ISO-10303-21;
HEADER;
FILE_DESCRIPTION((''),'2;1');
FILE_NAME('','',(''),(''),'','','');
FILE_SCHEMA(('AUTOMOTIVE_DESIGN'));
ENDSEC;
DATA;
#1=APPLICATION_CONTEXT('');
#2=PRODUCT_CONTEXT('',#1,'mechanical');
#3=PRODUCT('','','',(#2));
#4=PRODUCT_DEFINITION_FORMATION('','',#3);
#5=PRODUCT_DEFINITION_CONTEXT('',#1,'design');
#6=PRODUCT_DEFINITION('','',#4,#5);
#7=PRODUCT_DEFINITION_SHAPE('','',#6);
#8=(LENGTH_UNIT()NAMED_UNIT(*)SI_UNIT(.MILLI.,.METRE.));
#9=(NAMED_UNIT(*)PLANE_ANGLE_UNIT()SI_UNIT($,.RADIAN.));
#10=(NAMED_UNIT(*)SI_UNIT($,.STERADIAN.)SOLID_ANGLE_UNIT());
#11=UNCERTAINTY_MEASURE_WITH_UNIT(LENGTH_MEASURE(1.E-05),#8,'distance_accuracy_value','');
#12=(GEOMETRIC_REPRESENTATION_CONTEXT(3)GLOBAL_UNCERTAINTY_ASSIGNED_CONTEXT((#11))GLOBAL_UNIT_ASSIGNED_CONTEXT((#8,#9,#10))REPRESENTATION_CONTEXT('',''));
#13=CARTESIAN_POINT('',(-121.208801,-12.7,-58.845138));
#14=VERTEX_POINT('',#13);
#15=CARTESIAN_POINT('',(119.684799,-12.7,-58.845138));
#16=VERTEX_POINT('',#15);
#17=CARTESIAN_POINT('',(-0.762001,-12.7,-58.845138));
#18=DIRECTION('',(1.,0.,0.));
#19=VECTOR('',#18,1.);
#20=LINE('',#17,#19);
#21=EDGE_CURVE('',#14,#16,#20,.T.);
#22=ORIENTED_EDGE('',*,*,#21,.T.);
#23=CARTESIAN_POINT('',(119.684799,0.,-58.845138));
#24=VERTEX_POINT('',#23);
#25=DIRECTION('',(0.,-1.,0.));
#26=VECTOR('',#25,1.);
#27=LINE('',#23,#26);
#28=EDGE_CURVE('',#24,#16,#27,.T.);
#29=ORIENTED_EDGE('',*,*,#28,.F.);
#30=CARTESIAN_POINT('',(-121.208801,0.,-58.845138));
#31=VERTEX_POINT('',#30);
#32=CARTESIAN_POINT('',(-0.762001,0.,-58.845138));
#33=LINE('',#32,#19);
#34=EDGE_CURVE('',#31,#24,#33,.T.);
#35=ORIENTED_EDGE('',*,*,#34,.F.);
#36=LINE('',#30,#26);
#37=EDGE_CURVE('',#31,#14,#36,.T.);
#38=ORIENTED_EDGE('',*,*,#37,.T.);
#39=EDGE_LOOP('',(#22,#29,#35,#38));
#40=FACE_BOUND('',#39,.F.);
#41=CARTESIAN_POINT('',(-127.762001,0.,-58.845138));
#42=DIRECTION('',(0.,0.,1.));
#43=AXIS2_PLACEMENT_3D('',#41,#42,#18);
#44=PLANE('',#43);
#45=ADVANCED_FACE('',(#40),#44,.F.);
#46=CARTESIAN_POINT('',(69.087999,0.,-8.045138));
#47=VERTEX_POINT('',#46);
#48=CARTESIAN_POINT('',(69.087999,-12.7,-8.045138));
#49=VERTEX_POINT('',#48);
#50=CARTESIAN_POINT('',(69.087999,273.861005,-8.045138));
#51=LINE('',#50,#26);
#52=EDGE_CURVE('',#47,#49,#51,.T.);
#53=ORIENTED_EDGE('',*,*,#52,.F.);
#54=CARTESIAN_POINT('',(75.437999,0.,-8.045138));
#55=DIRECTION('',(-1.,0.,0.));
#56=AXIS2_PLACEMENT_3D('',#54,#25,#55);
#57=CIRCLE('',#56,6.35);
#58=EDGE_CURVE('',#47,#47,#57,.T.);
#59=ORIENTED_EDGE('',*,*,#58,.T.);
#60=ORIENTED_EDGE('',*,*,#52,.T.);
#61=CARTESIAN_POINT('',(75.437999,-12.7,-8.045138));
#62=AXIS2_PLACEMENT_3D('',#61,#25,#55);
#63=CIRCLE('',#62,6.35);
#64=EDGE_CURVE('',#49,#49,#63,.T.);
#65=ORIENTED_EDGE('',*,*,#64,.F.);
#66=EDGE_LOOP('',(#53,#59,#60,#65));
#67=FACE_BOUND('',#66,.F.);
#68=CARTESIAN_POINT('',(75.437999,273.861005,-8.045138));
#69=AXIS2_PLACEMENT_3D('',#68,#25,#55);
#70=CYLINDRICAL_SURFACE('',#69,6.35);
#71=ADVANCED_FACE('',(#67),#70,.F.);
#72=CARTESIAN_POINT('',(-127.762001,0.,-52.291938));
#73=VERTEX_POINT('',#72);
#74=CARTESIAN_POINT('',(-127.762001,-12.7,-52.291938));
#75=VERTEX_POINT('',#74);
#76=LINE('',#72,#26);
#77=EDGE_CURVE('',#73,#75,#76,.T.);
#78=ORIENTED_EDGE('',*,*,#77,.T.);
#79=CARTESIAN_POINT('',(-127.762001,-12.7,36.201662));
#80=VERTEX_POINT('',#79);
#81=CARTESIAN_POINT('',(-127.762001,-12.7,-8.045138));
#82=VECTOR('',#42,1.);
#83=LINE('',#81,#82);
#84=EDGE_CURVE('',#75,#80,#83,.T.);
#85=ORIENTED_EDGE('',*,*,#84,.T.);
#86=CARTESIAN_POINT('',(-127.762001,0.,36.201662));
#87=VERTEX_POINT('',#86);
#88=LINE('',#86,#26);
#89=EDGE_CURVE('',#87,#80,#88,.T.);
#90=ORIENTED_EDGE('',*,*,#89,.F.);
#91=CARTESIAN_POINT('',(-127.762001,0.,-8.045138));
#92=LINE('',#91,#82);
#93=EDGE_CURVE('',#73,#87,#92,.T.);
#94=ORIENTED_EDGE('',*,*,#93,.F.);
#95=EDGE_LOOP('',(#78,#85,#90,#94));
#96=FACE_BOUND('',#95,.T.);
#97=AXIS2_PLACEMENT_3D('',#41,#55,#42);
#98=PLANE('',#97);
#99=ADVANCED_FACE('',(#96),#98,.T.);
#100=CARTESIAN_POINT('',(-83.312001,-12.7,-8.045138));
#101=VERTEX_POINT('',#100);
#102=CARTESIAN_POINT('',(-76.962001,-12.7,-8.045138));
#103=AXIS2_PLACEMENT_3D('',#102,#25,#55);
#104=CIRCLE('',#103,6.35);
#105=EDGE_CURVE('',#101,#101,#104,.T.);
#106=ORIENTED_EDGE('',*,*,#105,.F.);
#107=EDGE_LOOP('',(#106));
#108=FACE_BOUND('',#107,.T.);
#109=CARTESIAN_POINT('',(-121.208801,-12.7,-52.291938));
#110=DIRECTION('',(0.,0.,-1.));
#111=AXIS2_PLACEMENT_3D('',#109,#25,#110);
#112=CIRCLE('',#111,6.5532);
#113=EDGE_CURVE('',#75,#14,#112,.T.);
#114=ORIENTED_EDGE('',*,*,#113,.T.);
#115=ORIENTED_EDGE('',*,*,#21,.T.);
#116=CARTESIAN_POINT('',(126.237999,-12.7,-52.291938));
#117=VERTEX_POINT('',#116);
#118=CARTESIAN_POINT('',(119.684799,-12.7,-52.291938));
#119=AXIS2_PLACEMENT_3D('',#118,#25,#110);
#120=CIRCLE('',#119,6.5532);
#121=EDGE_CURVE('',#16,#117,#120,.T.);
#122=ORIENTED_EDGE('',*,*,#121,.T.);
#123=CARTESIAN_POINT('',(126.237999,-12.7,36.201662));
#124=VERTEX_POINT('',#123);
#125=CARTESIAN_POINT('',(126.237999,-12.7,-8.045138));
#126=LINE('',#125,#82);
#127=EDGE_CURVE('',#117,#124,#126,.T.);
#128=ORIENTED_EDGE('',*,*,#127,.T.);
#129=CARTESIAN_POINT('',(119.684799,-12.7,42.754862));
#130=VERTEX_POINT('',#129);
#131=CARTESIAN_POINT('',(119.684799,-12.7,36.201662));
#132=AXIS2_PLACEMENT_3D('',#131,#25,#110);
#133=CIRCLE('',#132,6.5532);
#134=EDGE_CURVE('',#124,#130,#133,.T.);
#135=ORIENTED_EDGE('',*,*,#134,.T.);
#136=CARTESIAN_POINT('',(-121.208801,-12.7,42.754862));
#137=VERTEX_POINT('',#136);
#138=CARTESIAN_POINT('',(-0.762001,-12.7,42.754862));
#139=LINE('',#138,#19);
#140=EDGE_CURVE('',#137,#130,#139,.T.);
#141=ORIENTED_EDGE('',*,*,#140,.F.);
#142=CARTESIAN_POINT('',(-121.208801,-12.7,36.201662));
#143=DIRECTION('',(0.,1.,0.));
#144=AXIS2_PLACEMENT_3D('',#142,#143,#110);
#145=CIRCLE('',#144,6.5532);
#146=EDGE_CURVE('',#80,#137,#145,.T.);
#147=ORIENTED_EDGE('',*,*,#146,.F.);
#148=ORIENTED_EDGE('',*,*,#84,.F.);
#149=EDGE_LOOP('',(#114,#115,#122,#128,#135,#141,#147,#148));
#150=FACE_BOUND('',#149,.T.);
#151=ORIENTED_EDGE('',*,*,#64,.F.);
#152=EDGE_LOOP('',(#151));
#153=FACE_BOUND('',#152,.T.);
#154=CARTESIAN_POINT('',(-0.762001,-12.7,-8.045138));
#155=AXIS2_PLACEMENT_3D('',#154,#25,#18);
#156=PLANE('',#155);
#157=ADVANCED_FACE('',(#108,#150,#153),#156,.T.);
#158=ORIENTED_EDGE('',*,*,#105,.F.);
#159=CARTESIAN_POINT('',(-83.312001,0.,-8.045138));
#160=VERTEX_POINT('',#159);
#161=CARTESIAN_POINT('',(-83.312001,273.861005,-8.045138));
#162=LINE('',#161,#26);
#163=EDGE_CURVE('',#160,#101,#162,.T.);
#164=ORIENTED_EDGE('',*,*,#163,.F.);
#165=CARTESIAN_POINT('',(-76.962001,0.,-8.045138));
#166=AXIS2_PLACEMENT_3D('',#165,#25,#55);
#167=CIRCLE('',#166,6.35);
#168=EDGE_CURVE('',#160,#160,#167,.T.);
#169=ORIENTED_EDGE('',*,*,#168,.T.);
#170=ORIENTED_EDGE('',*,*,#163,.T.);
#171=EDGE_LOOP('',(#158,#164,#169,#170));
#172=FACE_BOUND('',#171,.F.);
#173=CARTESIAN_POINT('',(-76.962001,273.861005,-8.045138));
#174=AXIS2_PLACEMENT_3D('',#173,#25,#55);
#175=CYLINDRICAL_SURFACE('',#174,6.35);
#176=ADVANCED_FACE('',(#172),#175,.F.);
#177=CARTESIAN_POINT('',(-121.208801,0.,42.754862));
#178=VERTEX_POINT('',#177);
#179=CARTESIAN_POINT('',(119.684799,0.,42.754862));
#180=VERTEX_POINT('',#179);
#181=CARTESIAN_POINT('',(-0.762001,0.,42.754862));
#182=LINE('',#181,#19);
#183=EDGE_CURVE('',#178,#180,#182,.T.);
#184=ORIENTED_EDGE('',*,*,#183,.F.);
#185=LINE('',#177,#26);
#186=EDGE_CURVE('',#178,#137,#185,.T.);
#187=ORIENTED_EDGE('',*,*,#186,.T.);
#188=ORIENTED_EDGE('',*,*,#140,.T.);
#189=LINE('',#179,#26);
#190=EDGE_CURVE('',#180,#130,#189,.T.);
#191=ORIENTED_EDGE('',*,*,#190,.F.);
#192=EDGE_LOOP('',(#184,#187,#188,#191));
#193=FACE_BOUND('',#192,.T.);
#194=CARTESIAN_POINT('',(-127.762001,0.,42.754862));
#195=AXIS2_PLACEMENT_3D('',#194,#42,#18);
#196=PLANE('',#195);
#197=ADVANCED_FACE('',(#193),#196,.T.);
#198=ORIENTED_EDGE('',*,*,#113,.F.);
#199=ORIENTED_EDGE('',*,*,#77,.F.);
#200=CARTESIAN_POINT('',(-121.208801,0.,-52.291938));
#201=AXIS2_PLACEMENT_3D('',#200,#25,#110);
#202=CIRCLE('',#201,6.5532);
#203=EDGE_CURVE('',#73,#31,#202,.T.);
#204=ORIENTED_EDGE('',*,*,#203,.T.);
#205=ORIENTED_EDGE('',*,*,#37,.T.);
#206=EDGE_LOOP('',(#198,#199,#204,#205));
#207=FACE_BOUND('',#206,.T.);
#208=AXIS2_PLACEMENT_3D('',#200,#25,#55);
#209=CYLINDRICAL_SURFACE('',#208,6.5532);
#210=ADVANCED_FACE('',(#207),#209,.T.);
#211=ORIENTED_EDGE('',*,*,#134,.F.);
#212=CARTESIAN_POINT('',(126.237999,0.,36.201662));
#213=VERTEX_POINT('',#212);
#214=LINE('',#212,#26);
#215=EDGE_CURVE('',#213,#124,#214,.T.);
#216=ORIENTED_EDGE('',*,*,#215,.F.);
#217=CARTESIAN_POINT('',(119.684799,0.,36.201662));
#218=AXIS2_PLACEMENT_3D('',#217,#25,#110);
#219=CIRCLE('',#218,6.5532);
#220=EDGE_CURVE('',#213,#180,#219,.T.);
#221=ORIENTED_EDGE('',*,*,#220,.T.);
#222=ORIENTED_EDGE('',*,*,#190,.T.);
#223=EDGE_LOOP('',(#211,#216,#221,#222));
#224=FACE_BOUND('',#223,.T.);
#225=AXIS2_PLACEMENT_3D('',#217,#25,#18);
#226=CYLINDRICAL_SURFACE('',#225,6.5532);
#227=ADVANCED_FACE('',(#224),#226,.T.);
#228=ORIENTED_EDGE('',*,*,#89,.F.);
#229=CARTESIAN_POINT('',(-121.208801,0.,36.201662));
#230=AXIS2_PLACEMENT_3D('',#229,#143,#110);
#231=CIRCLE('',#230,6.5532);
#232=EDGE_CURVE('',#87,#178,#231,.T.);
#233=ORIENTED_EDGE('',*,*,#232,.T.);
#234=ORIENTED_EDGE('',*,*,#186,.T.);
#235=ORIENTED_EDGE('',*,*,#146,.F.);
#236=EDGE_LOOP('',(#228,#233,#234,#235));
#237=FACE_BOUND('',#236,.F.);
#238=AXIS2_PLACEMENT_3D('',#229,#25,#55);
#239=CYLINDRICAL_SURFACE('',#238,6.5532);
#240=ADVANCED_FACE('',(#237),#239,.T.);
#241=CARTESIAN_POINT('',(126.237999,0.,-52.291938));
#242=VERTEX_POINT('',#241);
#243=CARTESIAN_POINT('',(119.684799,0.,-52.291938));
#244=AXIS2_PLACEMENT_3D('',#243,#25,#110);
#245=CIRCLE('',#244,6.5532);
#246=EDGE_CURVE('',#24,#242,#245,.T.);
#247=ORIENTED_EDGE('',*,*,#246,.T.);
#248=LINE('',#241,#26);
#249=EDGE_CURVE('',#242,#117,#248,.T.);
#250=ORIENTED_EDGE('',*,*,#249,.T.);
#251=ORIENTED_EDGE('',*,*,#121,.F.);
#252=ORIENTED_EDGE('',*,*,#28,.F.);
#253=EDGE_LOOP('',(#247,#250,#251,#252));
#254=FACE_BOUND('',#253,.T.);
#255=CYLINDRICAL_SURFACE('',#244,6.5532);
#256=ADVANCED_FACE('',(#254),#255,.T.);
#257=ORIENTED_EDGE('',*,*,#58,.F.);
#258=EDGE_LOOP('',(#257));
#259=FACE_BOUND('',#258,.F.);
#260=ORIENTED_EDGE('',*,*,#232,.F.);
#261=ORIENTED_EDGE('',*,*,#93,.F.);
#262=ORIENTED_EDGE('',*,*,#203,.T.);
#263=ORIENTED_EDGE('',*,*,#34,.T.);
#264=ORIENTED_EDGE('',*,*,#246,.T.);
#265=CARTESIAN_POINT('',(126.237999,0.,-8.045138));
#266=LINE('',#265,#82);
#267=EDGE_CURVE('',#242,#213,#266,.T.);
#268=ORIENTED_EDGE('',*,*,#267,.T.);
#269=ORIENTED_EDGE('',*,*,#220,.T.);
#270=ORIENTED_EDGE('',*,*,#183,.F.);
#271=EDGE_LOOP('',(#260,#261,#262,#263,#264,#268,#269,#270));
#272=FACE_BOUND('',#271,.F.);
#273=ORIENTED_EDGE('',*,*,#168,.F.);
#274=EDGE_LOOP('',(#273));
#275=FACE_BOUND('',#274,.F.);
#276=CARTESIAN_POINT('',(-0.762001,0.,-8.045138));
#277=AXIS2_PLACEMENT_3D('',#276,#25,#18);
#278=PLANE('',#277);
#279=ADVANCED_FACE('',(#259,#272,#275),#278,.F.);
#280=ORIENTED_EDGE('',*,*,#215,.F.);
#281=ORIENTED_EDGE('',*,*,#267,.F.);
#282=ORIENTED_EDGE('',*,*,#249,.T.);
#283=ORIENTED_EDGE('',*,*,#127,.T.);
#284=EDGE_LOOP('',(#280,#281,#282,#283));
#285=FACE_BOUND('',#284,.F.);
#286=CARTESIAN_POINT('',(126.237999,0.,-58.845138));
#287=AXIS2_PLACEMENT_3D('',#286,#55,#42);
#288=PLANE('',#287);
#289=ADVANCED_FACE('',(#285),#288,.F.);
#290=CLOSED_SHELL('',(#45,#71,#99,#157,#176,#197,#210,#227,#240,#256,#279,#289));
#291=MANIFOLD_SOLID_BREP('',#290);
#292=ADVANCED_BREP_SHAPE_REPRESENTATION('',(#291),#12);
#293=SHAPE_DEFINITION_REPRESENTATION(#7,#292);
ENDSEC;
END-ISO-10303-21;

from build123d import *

# Parameters (mm, degrees)
F0_W     = 254
F0_H     = 101.6
F1_DEPTH = 12.7
F2_R     = 6.5532
F3_D     = 12.7


with BuildPart() as f1:
    # F0 (on Front) → F1 (new body)
    with BuildSketch(Plane.XZ):
        with Locations((-0.76200068, -8.045138209)):
            Rectangle(F0_W, F0_H)
    extrude(amount=F1_DEPTH)

    # F2
    f2_edges = [f1.edges().sort_by_distance(p)[0] for p in [
        (-127.762001, -6.35, 42.754862),
        (-127.762001, -6.35, -58.845138),
        (126.237999, -6.35, -58.845138),
        (126.237999, -6.35, 42.754862),
    ]]
    fillet(f2_edges, radius=F2_R)

    # F3 (through all)
    with Locations(Plane(origin=(0, 0, 0), x_dir=(1, 0, 0), z_dir=(0, 1, 0))):
        with Locations((-76.96200068, 8.045138209), (75.43799932, 8.045138209)):
            Hole(F3_D / 2)


solid = f1.part
